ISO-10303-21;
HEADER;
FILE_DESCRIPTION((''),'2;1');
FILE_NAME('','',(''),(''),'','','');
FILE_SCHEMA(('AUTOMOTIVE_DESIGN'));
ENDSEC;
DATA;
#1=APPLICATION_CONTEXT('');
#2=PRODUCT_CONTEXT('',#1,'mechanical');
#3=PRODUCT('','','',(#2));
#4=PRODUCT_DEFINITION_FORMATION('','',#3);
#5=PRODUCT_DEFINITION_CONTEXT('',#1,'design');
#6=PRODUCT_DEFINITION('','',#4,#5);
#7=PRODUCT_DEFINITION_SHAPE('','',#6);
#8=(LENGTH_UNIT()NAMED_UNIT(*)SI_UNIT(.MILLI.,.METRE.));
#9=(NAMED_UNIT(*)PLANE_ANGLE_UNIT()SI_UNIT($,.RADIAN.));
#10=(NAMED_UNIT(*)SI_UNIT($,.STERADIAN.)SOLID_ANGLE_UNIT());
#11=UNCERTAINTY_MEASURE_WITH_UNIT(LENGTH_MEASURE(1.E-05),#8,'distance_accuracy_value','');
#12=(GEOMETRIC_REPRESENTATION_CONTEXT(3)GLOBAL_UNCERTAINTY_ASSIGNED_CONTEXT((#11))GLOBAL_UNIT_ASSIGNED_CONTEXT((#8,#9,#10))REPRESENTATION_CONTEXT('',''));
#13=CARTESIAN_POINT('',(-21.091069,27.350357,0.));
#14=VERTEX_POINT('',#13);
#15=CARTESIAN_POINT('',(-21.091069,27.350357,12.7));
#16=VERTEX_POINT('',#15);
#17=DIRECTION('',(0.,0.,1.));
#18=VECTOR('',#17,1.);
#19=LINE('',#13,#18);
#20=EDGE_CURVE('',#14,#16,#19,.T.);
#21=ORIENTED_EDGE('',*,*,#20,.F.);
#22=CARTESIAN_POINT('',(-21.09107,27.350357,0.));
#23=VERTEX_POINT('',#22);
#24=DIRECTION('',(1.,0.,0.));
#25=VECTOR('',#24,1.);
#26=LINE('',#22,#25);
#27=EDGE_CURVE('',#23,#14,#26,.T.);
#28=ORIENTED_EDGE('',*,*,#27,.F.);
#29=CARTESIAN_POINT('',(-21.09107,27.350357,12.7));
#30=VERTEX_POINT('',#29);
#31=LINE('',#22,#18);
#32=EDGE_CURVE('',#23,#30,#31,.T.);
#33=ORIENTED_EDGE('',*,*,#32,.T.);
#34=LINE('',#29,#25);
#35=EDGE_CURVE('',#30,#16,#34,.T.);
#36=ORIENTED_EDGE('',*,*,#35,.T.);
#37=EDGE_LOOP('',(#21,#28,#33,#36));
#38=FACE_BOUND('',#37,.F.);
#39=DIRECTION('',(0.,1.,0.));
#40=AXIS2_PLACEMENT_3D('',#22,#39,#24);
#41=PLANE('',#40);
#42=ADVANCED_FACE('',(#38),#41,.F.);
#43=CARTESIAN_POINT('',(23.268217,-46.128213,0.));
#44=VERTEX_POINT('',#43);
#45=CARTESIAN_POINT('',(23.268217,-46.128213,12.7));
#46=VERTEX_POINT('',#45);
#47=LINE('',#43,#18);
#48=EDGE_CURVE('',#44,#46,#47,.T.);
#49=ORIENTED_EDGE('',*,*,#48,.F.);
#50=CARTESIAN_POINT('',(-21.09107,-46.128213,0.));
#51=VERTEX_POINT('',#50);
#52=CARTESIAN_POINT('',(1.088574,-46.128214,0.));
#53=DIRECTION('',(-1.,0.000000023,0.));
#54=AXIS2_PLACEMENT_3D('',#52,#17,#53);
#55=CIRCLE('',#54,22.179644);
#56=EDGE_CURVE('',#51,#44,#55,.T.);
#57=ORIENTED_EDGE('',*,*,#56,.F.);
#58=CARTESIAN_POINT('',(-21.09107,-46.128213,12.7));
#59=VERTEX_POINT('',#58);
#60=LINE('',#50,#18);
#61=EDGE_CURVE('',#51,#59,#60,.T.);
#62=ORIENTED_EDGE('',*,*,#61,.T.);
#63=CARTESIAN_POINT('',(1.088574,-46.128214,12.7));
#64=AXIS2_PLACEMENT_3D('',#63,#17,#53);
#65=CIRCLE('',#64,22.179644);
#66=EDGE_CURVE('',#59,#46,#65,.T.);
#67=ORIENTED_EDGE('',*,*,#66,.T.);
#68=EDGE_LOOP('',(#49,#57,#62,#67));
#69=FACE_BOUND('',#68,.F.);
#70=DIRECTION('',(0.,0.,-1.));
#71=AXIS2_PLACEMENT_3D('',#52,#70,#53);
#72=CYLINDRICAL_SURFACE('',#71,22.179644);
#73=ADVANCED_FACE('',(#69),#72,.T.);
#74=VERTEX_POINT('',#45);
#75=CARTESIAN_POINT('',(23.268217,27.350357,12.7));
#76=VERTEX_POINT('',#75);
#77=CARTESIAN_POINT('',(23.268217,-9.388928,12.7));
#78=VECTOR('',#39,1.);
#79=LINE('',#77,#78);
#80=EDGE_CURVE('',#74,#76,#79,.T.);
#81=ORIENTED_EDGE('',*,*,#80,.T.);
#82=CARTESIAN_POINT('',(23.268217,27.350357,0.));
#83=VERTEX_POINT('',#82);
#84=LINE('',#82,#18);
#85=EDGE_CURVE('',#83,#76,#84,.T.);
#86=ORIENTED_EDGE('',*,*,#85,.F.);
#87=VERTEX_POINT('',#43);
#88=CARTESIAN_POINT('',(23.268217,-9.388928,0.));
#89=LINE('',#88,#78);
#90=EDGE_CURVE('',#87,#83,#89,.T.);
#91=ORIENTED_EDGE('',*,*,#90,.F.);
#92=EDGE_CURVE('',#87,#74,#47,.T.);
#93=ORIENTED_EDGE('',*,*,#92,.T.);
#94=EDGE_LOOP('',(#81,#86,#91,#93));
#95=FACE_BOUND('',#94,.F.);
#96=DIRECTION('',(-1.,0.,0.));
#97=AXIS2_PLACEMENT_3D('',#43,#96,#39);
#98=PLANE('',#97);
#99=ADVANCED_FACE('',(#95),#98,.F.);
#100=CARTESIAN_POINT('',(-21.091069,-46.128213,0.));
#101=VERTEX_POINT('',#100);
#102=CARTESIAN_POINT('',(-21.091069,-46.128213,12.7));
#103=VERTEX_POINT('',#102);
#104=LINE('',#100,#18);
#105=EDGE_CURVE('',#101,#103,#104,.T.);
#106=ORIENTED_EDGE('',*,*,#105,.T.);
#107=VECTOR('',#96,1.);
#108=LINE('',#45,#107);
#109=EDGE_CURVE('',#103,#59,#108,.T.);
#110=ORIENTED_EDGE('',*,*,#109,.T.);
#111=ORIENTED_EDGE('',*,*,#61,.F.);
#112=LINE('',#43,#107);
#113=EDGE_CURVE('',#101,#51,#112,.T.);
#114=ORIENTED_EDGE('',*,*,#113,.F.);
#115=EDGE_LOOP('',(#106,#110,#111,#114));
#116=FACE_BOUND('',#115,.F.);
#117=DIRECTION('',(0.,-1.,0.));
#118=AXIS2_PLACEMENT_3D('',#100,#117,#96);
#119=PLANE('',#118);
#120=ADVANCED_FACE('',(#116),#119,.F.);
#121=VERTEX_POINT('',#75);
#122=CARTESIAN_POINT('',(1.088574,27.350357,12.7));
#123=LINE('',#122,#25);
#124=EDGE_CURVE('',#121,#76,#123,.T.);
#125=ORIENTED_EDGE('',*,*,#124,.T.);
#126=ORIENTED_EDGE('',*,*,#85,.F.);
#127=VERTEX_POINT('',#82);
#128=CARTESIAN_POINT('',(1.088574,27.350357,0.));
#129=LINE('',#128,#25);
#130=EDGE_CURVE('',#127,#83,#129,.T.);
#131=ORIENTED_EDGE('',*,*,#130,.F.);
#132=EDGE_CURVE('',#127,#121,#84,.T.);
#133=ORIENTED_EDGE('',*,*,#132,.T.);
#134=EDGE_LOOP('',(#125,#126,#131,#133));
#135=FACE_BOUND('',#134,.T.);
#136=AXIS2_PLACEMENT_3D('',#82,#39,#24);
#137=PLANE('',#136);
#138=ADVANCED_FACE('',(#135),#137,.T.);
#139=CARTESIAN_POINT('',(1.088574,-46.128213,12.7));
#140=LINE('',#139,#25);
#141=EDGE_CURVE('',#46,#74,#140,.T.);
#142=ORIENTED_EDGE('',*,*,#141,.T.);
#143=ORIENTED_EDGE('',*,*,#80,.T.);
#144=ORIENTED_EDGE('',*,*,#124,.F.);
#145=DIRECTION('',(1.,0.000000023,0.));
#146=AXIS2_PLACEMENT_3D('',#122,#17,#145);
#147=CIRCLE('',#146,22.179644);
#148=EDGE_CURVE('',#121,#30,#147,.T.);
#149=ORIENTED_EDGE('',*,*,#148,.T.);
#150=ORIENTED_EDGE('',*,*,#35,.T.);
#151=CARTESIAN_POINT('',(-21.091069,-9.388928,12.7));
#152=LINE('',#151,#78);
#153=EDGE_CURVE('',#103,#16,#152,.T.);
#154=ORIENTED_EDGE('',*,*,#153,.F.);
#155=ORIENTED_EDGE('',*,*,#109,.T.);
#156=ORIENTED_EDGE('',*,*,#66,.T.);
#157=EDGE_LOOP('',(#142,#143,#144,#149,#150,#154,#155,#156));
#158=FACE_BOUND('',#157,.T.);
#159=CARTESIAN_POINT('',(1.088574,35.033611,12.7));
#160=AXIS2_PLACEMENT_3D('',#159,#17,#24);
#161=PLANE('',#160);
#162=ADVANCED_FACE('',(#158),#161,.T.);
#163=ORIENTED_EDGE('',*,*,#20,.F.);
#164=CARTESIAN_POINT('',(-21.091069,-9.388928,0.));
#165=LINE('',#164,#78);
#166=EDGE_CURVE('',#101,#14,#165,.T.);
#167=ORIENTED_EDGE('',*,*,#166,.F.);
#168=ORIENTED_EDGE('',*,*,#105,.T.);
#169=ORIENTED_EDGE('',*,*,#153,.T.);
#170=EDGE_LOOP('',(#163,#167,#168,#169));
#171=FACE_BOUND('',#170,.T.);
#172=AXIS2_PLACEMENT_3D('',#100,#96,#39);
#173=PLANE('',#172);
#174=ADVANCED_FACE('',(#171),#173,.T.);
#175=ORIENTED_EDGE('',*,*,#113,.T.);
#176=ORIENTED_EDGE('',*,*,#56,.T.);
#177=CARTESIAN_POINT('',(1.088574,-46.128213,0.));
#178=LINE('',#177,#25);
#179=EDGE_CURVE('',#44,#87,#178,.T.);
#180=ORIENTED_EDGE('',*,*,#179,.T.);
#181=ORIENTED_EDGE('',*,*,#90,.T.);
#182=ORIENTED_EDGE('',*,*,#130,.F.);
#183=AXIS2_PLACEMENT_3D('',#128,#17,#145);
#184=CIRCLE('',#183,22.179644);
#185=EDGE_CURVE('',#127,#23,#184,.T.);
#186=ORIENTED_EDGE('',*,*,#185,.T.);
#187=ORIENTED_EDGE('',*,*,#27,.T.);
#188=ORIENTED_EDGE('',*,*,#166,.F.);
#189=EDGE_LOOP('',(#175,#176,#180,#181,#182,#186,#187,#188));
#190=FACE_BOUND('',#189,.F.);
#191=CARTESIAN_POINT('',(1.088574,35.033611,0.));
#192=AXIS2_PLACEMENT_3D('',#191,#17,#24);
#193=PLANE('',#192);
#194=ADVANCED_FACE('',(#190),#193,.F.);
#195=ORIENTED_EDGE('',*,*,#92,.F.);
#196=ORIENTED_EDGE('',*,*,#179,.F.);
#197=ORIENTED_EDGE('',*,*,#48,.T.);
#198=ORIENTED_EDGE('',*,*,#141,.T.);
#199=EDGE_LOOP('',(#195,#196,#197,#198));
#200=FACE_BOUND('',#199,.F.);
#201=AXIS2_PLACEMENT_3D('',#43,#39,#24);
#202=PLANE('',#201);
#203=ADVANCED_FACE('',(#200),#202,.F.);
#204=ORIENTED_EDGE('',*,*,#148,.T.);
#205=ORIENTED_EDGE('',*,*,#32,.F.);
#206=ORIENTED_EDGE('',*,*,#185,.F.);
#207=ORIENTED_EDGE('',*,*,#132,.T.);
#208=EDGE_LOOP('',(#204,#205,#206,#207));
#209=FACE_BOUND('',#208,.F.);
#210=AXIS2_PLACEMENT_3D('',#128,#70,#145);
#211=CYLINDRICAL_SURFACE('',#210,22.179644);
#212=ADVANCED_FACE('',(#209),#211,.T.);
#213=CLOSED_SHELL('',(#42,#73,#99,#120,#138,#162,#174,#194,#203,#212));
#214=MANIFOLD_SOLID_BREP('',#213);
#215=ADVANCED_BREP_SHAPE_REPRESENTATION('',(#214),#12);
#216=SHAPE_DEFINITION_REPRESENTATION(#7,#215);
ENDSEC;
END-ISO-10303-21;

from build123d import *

# Parameters (mm, degrees)
F0_W     = 44.359287
F0_H     = 73.47857
F1_DEPTH = 12.7


with BuildPart() as f1:
    # F0 (on Top) → F1 (new body)
    with BuildSketch(Plane.XY):
        with BuildLine():
            ThreePointArc((23.268217, 27.350357), (1.088574, 49.53), (-21.09107, 27.350357))
            Line((-21.09107, 27.350357), (23.268217, 27.350357))
        make_face()
        with Locations((1.088574, -9.388928)):
            Rectangle(F0_W, F0_H)
        with BuildLine():
            Line((23.268217, -46.128213), (-21.09107, -46.128213))
            ThreePointArc((-21.09107, -46.128213), (1.088574, -68.307857), (23.268217, -46.128213))
        make_face()
    extrude(amount=F1_DEPTH)


solid = f1.part
